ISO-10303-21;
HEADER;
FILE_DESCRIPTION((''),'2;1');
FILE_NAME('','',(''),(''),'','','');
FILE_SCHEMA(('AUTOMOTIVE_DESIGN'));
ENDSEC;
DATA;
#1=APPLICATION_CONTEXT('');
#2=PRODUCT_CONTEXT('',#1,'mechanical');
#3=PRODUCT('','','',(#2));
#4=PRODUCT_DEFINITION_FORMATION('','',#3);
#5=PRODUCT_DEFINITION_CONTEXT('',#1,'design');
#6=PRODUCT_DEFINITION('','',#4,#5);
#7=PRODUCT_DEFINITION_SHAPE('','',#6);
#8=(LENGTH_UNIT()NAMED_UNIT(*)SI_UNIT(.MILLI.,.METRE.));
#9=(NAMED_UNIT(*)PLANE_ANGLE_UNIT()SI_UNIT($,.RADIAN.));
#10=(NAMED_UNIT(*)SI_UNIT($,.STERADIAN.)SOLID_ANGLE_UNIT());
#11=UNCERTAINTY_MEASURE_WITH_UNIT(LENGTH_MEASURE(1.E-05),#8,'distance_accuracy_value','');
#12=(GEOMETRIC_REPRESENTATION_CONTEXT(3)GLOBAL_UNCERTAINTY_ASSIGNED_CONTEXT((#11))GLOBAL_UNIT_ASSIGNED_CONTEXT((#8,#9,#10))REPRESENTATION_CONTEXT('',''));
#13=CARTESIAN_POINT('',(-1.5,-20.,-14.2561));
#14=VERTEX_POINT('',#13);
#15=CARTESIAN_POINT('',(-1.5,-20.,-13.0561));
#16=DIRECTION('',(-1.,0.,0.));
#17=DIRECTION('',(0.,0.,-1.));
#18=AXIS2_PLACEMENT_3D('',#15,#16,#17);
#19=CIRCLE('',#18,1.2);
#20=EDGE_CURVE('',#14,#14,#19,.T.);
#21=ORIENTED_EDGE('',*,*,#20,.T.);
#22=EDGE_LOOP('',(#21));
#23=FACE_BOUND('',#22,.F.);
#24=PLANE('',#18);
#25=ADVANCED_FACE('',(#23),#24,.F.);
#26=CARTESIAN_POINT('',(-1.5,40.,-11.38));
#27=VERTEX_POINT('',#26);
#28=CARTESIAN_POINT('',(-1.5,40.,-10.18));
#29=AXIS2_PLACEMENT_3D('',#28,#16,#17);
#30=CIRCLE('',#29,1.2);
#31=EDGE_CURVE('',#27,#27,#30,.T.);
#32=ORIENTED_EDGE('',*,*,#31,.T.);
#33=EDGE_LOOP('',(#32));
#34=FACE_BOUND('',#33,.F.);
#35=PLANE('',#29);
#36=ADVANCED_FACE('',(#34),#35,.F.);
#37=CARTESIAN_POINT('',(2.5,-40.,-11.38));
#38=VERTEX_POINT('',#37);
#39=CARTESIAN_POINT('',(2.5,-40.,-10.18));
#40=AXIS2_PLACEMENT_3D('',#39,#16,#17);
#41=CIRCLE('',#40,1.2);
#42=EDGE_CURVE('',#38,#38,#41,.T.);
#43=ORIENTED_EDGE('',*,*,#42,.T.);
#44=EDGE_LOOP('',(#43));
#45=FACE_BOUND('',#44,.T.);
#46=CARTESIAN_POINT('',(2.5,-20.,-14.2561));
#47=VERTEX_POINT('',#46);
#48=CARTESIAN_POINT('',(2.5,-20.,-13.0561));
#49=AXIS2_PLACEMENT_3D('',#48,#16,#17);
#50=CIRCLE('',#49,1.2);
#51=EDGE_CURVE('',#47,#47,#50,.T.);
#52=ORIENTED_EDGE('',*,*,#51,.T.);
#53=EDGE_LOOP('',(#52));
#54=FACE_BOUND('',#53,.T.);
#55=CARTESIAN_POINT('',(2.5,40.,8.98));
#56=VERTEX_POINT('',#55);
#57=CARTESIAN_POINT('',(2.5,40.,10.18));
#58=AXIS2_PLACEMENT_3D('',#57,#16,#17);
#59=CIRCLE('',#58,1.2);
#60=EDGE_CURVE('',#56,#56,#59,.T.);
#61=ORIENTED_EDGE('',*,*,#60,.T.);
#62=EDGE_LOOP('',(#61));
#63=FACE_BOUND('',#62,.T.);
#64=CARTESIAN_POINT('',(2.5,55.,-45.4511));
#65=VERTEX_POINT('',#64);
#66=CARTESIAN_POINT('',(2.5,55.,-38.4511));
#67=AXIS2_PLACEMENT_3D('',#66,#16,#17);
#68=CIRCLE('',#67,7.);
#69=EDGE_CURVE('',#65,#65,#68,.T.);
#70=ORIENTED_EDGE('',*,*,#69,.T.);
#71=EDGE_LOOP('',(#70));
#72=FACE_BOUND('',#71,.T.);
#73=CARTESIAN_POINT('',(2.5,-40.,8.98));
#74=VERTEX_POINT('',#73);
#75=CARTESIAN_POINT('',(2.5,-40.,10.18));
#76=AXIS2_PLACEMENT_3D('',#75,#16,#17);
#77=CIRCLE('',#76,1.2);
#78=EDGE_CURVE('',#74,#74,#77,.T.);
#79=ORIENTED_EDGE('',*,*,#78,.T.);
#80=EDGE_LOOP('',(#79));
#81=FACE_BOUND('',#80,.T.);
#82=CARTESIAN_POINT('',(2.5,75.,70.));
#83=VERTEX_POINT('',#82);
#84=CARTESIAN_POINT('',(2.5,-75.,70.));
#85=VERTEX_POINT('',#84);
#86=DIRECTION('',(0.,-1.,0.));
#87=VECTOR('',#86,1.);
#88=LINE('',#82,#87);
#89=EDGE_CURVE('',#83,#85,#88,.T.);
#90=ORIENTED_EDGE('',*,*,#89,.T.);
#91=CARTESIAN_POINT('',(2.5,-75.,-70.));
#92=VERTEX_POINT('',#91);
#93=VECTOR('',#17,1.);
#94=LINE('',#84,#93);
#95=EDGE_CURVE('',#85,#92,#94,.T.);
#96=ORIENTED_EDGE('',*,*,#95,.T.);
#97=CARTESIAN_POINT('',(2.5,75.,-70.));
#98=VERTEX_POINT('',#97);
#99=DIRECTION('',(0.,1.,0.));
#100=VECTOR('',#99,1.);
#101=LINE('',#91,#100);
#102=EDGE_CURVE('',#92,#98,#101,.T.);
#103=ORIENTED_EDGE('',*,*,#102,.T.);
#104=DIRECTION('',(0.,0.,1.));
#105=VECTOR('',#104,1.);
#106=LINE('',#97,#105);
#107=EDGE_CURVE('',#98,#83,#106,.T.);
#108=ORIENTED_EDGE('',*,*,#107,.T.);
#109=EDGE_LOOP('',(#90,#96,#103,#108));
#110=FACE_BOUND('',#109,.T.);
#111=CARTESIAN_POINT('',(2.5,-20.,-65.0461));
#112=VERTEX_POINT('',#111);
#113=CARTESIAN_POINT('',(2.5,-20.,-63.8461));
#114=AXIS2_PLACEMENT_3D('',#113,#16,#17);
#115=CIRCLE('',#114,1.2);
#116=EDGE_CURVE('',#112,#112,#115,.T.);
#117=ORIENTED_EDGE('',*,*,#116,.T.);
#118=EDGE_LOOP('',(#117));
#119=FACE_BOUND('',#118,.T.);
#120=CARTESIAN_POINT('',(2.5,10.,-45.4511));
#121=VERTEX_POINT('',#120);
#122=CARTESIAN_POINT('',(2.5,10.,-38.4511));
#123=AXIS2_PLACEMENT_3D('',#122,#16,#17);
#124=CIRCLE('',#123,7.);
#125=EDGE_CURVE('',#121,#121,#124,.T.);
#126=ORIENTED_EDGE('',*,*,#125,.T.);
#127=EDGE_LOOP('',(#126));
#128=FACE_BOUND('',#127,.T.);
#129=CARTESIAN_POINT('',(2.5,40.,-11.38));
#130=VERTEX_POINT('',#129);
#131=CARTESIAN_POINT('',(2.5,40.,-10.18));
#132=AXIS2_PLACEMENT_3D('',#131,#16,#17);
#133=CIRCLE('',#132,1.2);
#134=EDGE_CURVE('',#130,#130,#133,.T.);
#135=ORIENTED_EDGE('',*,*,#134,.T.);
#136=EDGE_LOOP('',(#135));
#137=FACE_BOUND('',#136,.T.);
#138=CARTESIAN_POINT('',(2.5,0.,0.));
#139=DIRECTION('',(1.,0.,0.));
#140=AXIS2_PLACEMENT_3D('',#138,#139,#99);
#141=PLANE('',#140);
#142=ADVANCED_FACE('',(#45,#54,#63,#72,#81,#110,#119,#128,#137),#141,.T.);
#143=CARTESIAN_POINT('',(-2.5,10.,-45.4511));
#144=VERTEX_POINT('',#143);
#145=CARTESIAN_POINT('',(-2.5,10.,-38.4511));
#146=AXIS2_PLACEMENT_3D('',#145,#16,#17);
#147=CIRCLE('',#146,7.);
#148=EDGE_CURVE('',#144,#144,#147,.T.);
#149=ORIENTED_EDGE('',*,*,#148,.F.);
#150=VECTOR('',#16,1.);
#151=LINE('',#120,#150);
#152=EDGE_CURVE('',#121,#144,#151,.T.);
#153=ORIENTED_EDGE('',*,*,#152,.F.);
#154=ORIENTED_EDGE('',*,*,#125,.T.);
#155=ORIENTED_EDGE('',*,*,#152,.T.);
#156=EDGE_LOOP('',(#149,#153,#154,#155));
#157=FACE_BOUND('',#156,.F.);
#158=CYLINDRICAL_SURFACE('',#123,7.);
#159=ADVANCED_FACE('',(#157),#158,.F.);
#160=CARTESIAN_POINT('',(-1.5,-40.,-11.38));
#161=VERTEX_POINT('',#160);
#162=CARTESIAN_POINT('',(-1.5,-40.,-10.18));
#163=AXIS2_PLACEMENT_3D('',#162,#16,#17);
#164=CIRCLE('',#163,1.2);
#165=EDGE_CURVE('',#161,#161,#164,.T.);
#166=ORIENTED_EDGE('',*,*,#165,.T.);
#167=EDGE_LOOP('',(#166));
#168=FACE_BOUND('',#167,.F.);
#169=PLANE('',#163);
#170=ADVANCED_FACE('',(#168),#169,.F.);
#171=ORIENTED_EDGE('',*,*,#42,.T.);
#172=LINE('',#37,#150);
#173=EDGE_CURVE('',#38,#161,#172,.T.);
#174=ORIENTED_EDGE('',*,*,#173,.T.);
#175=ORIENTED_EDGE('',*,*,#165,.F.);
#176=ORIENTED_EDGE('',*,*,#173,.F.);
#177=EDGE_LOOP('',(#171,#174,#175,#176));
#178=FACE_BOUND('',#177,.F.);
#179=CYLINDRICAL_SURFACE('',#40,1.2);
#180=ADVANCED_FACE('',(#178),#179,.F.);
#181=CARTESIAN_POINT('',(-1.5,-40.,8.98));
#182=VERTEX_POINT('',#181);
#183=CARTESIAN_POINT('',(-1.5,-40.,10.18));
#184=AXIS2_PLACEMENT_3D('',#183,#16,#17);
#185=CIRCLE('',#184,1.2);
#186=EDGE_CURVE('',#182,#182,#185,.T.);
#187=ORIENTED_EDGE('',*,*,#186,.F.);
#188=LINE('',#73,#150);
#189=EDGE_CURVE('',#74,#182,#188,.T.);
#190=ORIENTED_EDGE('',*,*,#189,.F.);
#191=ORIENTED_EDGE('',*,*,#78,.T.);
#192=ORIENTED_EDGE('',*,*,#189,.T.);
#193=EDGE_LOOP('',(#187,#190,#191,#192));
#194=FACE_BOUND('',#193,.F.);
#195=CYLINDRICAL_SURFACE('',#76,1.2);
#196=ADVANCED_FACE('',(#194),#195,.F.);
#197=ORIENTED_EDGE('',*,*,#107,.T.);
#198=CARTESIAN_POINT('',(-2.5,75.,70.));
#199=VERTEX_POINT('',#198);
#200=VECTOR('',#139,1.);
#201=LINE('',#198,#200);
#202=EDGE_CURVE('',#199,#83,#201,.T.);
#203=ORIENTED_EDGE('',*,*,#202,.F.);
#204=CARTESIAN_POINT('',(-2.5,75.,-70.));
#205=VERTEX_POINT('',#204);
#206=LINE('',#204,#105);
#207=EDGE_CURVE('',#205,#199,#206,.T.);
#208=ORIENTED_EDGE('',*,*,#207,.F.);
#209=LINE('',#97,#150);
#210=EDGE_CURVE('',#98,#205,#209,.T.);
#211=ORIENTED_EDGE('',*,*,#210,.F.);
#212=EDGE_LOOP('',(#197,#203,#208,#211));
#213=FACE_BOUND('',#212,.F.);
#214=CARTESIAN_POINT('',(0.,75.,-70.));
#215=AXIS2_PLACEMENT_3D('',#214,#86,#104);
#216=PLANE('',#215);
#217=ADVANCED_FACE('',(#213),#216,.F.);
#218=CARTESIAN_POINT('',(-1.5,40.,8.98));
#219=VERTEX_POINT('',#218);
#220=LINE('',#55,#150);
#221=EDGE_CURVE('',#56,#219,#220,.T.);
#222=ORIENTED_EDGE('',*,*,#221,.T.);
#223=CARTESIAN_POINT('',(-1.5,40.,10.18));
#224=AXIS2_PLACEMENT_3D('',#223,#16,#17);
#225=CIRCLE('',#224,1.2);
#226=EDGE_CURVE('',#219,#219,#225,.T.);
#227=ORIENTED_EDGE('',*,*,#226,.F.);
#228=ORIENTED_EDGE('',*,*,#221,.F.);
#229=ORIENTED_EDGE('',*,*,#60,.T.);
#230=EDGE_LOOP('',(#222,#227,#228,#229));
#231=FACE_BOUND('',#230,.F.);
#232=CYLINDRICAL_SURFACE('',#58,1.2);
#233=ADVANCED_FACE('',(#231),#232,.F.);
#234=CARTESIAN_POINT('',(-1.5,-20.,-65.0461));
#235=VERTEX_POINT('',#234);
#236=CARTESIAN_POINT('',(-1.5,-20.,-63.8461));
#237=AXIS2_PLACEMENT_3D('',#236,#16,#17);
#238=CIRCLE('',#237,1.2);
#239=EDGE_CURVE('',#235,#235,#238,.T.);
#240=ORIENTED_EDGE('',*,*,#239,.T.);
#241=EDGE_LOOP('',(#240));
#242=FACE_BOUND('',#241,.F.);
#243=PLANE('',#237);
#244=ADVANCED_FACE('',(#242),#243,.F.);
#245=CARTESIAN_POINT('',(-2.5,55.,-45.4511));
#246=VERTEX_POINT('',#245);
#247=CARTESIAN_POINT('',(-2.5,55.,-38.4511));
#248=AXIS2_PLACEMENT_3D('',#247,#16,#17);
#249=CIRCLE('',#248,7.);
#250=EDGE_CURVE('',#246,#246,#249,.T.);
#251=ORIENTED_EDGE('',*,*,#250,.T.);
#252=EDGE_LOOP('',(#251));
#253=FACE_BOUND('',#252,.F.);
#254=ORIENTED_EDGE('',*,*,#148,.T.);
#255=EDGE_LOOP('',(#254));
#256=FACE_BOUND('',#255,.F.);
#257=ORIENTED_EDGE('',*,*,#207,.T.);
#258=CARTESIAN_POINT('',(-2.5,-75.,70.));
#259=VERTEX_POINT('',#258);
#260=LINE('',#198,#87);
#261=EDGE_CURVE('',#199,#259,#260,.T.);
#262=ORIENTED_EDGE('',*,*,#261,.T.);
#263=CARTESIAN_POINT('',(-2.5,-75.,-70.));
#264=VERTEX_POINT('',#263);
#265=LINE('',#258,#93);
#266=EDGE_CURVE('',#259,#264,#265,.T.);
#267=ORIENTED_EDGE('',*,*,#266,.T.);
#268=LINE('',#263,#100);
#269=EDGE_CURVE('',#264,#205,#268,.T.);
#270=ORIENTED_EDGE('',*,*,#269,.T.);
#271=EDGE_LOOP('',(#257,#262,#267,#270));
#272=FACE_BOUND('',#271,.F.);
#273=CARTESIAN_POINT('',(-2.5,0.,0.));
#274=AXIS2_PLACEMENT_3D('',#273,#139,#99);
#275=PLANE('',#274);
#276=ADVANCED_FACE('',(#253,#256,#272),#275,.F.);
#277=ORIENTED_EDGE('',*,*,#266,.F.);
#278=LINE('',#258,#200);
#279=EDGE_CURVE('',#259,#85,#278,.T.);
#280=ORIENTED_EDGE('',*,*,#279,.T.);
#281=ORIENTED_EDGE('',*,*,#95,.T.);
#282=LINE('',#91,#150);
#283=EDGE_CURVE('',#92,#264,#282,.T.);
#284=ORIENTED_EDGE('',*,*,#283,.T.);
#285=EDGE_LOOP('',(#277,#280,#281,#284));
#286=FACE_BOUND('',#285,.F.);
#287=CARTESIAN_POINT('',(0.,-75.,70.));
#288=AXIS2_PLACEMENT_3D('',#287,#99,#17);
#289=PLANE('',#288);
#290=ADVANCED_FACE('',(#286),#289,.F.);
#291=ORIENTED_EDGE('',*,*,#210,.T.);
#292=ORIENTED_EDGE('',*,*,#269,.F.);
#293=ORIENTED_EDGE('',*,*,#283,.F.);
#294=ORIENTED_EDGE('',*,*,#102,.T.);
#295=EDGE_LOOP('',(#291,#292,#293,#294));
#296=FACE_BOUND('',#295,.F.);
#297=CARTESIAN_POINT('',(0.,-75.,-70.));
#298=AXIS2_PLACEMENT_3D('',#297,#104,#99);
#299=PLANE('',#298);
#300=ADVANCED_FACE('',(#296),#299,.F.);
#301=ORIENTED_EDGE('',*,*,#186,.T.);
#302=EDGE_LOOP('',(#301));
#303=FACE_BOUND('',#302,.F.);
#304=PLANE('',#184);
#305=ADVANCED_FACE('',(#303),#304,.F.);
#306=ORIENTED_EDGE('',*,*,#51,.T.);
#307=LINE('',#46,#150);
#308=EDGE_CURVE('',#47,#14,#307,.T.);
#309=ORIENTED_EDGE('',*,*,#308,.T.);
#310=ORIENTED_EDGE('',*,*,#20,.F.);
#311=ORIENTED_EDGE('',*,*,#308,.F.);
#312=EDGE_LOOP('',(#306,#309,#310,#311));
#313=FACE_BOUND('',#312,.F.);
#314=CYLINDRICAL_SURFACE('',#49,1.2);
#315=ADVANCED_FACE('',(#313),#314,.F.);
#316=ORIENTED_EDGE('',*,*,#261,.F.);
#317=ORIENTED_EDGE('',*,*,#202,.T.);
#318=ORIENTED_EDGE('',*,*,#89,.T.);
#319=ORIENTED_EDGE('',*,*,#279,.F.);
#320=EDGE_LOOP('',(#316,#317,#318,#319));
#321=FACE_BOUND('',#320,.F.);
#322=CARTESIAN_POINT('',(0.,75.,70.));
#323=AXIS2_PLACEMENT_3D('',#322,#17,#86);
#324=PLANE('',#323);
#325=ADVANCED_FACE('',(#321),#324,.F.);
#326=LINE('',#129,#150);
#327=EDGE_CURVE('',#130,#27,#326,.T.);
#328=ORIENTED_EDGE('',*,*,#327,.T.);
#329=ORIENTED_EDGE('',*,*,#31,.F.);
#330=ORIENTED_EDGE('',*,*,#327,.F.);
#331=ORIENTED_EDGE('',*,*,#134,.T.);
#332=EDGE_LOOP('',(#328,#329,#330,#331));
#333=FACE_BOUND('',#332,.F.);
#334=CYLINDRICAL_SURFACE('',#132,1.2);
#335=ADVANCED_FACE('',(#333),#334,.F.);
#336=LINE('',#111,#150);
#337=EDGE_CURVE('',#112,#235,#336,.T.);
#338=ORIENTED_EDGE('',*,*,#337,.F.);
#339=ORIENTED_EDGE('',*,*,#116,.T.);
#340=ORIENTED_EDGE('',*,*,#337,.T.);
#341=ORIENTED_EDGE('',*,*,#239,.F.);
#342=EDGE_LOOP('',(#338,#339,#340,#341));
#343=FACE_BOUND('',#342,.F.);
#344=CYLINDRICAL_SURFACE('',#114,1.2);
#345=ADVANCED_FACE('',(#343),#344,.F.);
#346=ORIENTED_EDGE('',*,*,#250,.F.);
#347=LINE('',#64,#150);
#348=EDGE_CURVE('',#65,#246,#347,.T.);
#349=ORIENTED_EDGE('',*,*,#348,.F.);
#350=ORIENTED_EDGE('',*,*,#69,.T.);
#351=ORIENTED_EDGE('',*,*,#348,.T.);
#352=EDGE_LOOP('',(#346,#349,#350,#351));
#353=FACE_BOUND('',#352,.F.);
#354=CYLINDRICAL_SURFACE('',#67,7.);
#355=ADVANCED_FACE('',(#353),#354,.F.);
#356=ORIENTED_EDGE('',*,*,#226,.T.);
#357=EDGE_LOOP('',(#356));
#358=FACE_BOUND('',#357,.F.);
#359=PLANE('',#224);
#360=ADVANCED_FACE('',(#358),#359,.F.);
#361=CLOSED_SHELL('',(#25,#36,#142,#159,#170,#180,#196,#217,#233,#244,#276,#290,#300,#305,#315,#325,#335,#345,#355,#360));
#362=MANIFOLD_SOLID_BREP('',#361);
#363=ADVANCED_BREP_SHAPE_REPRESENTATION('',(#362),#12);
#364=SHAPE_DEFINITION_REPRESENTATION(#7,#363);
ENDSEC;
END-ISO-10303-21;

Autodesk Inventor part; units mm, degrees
ref_plane "YZ Plane" through (0, 0, 0) normal (1, 0, 0) x (0, 1, 0)
ref_plane "XZ Plane" through (0, 0, 0) normal (0, 1, 0) x (-1, 0, 0)
ref_plane "XY Plane" through (0, 0, 0) normal (0, 0, 1) x (1, 0, 0)
sketch "Sketch1" plane through (0, 0, 0) normal (1, 0, 0) x (0, 1, 0)
  line L0 (75, 70) -> (-75, 70)
  line L1 (-75, 70) -> (-75, -70)
  line L2 (-75, -70) -> (75, -70)
  line L3 (75, -70) -> (75, 70)
  point P0 (0, 0)
  point P1 (75, 0)
  point P2 (0, 70)
  dimension "d0" = 140
  dimension "d1" = 150
extrude "Extrusion1" add sketch "Sketch1" along normal mid plane 5
sketch "Sketch2" plane through (2.5, 0, 0) normal (1, 0, 0) x (0, 0, -1)
  line L0 (70, 75) -> (-70, 75) projected
  line L1 (-10.18, 40) -> (10.18, 40)
  point P0 (0, 0)
  point P1 (0, 40)
  dimension "d4" = 20.36
  dimension "d5" = 35
hole "Hole1" at (2.5, 40, 10.18) at (2.5, 40, -10.18) direction (-1, 0, 0) diameter 2.4 depth 4
pattern_linear "Rectangular Pattern1" count 2 spacing 80 along (0, -1, 0) of "Hole1"
sketch "Sketch3" plane through (2.5, 0, 0) normal (1, 0, 0) x (0, 0, -1)
  circle A0 centre (10.18, -40) radius 1.2 projected
  point P0 (0, 0)
  point P1 (13.0561, -20)
  point P2 (63.8461, -20)
  dimension "d16" = 50.79
  dimension "d19" = 20
  dimension "d20" = 13.0561
hole "Hole2" at (2.5, -20, -13.0561) at (2.5, -20, -63.8461) direction (-1, 0, 0) diameter 2.4 depth 4
sketch "Sketch4" plane through (2.5, 0, 0) normal (1, 0, 0) x (0, 0, -1)
  line L0 (70, 75) -> (-70, 75) projected
  circle A0 centre (13.0561, -20) radius 1.2 projected
  circle A1 centre (63.8461, -20) radius 1.2 projected
  line L1 (13.0561, -20) -> (63.8461, -20)
  point P0 (0, 0)
  point P1 (38.4511, 55)
  point P2 (38.4511, -20)
  point P3 (38.4511, 10)
  dimension "d28" = 20
  dimension "d29" = 45
hole "Hole3" at (2.5, 55, -38.4511) at (2.5, 10, -38.4511) direction (-1, 0, 0) diameter 14 depth 5
properties part number "Part_B9"
